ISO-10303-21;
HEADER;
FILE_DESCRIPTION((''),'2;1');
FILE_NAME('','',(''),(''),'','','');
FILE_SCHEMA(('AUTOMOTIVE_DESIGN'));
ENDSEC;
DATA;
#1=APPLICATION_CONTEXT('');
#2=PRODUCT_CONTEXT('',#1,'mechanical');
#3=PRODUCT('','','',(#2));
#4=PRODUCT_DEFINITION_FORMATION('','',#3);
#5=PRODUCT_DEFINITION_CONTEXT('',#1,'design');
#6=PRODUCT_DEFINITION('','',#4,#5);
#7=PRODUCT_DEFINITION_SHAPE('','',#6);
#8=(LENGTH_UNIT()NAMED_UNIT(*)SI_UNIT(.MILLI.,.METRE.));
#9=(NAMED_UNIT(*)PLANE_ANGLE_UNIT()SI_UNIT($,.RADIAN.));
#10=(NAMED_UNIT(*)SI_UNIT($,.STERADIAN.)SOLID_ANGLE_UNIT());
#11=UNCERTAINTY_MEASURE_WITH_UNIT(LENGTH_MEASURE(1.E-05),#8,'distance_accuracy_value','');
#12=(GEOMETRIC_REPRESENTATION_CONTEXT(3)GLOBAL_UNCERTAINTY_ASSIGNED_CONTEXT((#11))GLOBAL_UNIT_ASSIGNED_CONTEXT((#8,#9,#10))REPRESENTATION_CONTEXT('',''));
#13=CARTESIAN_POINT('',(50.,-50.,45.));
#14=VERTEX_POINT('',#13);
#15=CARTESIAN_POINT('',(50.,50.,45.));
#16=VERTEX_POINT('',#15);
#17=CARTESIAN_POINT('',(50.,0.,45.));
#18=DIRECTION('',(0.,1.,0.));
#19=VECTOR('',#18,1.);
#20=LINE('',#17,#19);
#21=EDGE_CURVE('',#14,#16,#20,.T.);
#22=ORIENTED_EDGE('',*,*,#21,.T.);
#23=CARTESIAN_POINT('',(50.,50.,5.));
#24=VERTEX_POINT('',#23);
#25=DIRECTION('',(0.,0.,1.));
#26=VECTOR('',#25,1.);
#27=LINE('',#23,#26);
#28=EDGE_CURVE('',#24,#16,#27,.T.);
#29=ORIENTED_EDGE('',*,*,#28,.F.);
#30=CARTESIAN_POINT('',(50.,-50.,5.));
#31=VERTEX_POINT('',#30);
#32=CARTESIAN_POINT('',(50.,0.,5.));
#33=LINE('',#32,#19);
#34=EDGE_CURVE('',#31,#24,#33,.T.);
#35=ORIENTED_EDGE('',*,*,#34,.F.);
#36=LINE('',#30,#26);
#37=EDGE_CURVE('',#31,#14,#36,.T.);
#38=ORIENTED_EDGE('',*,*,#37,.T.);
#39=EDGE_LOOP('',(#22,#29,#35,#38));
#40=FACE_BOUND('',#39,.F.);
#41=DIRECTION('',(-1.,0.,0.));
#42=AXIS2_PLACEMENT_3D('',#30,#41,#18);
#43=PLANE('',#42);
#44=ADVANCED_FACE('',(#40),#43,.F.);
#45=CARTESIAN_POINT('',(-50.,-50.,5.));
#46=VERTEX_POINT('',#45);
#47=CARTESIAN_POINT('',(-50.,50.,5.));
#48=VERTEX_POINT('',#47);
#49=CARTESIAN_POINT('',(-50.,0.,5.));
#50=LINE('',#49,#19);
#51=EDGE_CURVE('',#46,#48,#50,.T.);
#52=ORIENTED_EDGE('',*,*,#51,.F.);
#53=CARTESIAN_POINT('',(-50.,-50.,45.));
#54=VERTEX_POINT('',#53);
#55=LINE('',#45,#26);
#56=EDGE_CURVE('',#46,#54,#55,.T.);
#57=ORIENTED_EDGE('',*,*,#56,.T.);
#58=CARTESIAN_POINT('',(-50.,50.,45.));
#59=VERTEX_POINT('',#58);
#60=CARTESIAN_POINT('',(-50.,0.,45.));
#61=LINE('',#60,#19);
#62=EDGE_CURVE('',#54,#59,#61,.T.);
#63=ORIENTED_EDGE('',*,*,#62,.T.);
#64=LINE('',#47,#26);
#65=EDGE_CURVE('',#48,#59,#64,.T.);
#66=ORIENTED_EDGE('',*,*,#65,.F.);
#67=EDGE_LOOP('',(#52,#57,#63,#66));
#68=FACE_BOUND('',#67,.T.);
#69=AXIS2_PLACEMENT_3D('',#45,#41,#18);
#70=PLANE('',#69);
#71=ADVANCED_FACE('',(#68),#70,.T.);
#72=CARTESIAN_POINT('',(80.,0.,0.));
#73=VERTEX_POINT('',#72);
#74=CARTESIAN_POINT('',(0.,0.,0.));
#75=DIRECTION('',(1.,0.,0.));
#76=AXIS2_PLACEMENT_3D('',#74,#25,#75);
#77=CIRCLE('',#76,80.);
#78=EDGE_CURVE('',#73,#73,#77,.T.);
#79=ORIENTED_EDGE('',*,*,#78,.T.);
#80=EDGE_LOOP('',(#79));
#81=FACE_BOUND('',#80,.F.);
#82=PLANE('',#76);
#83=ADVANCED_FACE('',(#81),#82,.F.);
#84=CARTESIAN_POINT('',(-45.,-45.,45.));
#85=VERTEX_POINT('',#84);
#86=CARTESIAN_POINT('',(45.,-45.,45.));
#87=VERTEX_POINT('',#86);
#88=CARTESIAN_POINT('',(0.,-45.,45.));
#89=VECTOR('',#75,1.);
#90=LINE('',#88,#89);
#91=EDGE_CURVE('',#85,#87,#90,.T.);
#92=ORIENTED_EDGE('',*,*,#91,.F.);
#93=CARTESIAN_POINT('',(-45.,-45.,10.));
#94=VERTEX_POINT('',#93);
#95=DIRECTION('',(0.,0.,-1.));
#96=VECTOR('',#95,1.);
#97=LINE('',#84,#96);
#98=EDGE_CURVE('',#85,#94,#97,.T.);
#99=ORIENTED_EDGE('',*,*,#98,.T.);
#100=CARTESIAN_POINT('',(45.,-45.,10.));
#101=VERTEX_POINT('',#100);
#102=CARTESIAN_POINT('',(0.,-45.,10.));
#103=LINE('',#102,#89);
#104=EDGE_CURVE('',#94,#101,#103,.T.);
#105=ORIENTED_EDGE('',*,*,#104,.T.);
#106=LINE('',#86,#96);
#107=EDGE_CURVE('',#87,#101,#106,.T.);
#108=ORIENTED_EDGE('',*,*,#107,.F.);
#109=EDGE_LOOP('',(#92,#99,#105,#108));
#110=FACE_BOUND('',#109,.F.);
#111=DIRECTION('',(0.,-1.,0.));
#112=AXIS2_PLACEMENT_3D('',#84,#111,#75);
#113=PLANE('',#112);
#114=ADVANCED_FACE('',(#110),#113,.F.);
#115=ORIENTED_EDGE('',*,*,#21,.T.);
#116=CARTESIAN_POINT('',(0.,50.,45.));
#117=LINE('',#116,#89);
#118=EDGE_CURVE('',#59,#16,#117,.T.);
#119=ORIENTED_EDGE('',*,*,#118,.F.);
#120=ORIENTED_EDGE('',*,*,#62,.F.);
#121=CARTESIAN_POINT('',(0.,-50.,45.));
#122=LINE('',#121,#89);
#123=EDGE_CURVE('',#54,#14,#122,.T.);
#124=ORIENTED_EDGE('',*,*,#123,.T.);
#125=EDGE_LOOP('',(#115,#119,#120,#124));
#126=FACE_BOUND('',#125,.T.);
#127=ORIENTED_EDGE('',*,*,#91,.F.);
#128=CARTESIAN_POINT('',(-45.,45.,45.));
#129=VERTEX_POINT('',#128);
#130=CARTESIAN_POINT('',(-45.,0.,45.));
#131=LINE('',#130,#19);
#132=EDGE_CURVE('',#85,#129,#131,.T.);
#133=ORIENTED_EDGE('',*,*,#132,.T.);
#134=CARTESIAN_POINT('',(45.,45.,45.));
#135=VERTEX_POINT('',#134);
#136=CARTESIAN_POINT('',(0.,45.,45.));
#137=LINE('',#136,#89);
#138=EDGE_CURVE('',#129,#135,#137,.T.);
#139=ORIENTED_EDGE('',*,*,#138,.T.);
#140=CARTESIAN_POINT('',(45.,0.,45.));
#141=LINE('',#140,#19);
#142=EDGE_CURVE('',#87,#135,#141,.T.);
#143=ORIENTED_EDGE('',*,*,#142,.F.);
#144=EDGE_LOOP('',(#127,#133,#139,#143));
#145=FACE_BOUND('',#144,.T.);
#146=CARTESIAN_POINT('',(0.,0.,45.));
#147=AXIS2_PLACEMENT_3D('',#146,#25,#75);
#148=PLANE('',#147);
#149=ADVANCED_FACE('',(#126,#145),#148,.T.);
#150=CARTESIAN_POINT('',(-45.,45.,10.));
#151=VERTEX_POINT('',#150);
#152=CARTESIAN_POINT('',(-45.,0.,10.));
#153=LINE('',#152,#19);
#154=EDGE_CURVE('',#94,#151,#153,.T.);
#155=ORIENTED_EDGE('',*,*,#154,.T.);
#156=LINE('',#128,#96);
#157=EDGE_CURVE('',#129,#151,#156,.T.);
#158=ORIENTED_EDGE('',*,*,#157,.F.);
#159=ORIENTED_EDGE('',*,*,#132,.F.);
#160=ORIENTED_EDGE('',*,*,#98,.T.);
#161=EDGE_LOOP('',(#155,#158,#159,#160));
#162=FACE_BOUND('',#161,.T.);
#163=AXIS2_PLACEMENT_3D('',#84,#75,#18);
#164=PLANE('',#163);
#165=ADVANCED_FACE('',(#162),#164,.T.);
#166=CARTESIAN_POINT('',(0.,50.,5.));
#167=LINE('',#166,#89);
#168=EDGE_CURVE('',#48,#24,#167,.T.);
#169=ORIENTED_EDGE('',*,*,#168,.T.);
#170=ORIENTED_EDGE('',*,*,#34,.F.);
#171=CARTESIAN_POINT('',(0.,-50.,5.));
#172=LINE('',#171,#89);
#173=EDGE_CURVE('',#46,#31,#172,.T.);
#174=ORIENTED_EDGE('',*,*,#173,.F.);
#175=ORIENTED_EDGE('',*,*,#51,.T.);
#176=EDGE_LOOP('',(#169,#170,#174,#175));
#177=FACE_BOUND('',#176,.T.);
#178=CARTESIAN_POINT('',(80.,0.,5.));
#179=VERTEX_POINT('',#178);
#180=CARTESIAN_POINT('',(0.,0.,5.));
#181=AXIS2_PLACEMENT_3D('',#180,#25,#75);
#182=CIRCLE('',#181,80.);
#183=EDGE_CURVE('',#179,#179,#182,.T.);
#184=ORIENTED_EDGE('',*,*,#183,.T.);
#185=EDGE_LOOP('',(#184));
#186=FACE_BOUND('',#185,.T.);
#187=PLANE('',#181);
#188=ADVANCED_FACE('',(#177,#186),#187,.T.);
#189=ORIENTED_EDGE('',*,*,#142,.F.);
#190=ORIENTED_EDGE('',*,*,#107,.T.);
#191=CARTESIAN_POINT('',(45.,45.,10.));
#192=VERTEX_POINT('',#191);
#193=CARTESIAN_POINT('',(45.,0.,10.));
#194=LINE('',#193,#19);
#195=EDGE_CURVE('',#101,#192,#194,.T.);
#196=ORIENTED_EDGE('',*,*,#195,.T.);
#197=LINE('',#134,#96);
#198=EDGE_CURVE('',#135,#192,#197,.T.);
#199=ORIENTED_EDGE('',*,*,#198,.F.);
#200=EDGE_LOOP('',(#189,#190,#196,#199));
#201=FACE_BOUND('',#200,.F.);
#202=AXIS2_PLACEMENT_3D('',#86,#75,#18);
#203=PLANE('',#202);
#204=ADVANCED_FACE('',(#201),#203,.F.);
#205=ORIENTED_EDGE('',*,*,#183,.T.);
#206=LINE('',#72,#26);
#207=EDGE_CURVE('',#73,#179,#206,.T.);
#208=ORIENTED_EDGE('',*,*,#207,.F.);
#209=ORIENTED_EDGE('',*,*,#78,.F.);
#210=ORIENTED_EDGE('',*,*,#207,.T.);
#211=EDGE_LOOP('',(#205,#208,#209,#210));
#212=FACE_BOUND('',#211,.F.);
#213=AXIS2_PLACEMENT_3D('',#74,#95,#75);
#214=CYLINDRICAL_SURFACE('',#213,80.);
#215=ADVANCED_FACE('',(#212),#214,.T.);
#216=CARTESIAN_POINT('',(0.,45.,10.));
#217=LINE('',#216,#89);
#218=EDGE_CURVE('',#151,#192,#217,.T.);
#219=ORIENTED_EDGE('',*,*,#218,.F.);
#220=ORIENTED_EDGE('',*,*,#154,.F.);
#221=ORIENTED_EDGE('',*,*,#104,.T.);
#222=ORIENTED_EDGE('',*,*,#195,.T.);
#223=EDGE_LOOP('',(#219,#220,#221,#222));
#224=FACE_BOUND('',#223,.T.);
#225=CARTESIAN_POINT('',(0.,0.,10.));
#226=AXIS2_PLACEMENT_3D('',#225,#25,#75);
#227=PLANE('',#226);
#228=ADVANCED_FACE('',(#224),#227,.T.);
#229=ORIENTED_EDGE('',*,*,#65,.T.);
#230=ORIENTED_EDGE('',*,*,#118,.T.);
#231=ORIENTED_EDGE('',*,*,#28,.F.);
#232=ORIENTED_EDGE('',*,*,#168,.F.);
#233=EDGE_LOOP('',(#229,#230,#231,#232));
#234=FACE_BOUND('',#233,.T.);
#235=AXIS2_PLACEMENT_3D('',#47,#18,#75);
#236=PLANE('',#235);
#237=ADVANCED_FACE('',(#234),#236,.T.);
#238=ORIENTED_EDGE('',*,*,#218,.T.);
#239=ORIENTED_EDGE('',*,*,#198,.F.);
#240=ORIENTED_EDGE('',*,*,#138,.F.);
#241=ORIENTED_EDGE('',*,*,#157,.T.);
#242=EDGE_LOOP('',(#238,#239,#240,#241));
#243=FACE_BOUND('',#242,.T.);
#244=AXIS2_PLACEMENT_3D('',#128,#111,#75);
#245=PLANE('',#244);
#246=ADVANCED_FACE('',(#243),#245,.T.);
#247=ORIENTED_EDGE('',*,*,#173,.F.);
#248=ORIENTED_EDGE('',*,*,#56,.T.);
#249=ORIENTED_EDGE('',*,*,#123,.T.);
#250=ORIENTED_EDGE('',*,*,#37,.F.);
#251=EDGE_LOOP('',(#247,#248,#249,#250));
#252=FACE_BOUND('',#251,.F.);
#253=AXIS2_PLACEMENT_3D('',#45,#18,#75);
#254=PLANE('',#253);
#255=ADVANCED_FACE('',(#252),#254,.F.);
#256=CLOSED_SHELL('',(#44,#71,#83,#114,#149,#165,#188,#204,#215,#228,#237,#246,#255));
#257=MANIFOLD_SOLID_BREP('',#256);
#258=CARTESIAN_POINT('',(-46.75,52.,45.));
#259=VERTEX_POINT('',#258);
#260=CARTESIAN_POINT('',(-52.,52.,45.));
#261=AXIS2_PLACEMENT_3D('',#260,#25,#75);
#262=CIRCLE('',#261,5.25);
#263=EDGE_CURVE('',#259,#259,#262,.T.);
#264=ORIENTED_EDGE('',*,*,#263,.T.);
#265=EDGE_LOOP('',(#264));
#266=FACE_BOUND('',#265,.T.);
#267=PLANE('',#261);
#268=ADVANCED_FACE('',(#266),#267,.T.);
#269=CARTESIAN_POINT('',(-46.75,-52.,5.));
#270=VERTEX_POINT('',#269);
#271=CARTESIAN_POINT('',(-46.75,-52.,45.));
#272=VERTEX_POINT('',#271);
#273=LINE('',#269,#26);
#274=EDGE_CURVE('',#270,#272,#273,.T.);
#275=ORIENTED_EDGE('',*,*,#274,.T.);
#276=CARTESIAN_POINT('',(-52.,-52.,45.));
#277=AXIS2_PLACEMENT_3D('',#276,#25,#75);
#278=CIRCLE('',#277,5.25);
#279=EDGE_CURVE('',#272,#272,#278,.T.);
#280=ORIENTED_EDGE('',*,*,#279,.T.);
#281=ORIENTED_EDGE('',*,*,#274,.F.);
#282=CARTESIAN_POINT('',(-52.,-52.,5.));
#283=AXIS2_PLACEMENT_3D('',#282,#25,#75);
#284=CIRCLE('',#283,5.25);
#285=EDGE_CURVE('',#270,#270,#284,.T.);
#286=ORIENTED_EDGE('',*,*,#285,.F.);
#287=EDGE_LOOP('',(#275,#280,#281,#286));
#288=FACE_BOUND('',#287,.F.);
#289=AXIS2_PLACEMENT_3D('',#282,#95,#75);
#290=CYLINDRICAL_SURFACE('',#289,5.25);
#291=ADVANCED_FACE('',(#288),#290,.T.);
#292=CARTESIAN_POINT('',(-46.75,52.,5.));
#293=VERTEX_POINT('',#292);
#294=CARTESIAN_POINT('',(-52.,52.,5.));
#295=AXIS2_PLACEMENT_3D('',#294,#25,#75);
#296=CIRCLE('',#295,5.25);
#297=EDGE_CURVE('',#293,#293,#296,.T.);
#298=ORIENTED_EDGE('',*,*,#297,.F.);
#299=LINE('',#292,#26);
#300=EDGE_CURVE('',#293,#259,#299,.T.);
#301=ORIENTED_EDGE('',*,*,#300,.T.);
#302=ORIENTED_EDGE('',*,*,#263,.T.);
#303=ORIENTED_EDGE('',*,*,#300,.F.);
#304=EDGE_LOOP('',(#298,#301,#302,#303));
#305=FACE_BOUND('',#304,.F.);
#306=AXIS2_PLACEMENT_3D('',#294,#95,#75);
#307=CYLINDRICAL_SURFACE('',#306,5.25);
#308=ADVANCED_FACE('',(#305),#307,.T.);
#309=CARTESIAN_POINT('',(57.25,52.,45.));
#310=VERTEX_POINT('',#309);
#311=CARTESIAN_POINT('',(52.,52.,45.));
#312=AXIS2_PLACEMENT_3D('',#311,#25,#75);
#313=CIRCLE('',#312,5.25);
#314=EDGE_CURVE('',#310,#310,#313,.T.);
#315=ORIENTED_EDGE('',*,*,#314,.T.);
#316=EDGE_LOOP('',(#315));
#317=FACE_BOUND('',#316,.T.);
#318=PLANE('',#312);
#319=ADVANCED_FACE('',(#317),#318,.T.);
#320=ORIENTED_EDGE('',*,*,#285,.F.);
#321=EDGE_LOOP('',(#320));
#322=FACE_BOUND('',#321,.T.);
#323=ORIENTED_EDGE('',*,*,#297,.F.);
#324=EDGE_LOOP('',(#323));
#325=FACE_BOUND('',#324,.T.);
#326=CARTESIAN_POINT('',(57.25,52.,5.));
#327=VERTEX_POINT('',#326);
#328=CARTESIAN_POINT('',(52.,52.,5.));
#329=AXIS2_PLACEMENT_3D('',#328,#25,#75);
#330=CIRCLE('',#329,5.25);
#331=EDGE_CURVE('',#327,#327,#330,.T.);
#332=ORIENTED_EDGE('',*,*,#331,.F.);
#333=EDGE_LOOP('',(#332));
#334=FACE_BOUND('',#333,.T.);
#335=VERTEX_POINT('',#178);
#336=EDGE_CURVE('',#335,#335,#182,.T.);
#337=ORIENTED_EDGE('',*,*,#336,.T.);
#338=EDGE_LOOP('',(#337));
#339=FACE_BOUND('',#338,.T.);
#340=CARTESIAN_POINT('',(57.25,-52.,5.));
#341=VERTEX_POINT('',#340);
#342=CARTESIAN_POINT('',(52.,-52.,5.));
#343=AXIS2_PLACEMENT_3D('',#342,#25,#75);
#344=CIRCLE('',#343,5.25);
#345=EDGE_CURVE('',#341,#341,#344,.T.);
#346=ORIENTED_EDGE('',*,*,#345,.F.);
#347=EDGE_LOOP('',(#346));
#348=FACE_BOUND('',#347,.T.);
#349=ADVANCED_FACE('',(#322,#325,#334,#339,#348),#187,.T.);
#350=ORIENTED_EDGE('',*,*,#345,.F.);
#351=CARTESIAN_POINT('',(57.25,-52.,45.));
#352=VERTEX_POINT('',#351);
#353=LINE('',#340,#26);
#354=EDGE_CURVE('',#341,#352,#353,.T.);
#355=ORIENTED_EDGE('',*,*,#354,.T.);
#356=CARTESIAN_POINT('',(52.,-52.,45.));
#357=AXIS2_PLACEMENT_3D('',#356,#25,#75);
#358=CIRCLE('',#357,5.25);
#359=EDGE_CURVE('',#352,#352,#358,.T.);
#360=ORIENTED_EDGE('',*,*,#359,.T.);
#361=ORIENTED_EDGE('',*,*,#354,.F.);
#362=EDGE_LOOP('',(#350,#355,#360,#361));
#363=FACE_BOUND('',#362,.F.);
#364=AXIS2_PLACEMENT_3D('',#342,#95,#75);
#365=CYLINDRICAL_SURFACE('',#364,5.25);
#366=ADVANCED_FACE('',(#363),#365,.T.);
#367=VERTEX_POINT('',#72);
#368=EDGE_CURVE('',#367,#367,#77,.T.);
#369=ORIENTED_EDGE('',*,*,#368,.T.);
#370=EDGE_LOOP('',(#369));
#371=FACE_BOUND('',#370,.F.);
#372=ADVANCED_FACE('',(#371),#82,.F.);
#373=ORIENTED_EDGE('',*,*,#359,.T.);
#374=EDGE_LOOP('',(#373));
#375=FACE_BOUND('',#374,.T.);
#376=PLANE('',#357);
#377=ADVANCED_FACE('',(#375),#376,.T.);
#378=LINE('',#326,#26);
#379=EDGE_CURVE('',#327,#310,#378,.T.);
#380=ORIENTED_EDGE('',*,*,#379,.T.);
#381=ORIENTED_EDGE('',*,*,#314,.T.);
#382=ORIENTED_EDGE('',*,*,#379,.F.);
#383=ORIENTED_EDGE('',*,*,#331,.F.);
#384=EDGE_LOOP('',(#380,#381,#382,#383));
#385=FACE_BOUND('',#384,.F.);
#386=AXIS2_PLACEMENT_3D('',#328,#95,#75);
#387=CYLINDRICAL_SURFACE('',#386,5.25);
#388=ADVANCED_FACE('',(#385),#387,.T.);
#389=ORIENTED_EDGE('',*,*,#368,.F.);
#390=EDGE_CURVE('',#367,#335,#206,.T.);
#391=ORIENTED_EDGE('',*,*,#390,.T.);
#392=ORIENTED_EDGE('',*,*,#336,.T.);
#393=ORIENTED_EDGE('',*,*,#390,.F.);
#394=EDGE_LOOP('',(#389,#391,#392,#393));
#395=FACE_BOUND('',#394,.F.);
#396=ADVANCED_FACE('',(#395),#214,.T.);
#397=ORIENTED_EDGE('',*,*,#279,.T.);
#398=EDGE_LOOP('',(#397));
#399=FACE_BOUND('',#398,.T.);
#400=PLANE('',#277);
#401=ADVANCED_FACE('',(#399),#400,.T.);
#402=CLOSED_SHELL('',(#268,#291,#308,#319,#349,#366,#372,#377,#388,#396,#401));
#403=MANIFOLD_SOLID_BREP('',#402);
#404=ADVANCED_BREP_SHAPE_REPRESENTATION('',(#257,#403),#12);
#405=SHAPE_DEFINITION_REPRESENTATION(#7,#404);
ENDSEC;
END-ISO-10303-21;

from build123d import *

# Parameters (mm, degrees)
SKETCH_R     = 80
PAD_DEPTH    = 5
SKETCH002_R  = 5.25
PAD002_DEPTH = 40
SKETCH001_W  = 100
SKETCH001_H  = 100
PAD001_DEPTH = 40
SKETCH003_W  = 90
SKETCH003_H  = 90
POCKET_DEPTH = 35


with BuildPart() as pad:
    # Sketch → Pad (new body)
    with BuildSketch(Plane.XY):
        Circle(SKETCH_R)
    extrude(amount=PAD_DEPTH)


with BuildPart() as pad002:
    # Pad002 base: copy of Pad
    add(pad.part)

    # Sketch002 → Pad002 (new body)
    with BuildSketch(Plane.XY.offset(5)):
        with Locations((-52, 52)):
            Circle(SKETCH002_R)
        with Locations((-52, -52)):
            Circle(SKETCH002_R)
        with Locations((52, 52)):
            Circle(SKETCH002_R)
        with Locations((52, -52)):
            Circle(SKETCH002_R)
    extrude(amount=PAD002_DEPTH)


with BuildPart() as pocket:
    # Pad001 base: copy of Pad
    add(pad.part)

    # Sketch001 → Pad001 (new body)
    with BuildSketch(Plane.XY.offset(5)):
        Rectangle(SKETCH001_W, SKETCH001_H)
    extrude(amount=PAD001_DEPTH)

    # Sketch003 → Pocket (cut)
    with BuildSketch(Plane.XY.offset(45)):
        Rectangle(SKETCH003_W, SKETCH003_H)
    extrude(amount=-POCKET_DEPTH, mode=Mode.SUBTRACT)


solid = Compound([pad002.part, pocket.part])
